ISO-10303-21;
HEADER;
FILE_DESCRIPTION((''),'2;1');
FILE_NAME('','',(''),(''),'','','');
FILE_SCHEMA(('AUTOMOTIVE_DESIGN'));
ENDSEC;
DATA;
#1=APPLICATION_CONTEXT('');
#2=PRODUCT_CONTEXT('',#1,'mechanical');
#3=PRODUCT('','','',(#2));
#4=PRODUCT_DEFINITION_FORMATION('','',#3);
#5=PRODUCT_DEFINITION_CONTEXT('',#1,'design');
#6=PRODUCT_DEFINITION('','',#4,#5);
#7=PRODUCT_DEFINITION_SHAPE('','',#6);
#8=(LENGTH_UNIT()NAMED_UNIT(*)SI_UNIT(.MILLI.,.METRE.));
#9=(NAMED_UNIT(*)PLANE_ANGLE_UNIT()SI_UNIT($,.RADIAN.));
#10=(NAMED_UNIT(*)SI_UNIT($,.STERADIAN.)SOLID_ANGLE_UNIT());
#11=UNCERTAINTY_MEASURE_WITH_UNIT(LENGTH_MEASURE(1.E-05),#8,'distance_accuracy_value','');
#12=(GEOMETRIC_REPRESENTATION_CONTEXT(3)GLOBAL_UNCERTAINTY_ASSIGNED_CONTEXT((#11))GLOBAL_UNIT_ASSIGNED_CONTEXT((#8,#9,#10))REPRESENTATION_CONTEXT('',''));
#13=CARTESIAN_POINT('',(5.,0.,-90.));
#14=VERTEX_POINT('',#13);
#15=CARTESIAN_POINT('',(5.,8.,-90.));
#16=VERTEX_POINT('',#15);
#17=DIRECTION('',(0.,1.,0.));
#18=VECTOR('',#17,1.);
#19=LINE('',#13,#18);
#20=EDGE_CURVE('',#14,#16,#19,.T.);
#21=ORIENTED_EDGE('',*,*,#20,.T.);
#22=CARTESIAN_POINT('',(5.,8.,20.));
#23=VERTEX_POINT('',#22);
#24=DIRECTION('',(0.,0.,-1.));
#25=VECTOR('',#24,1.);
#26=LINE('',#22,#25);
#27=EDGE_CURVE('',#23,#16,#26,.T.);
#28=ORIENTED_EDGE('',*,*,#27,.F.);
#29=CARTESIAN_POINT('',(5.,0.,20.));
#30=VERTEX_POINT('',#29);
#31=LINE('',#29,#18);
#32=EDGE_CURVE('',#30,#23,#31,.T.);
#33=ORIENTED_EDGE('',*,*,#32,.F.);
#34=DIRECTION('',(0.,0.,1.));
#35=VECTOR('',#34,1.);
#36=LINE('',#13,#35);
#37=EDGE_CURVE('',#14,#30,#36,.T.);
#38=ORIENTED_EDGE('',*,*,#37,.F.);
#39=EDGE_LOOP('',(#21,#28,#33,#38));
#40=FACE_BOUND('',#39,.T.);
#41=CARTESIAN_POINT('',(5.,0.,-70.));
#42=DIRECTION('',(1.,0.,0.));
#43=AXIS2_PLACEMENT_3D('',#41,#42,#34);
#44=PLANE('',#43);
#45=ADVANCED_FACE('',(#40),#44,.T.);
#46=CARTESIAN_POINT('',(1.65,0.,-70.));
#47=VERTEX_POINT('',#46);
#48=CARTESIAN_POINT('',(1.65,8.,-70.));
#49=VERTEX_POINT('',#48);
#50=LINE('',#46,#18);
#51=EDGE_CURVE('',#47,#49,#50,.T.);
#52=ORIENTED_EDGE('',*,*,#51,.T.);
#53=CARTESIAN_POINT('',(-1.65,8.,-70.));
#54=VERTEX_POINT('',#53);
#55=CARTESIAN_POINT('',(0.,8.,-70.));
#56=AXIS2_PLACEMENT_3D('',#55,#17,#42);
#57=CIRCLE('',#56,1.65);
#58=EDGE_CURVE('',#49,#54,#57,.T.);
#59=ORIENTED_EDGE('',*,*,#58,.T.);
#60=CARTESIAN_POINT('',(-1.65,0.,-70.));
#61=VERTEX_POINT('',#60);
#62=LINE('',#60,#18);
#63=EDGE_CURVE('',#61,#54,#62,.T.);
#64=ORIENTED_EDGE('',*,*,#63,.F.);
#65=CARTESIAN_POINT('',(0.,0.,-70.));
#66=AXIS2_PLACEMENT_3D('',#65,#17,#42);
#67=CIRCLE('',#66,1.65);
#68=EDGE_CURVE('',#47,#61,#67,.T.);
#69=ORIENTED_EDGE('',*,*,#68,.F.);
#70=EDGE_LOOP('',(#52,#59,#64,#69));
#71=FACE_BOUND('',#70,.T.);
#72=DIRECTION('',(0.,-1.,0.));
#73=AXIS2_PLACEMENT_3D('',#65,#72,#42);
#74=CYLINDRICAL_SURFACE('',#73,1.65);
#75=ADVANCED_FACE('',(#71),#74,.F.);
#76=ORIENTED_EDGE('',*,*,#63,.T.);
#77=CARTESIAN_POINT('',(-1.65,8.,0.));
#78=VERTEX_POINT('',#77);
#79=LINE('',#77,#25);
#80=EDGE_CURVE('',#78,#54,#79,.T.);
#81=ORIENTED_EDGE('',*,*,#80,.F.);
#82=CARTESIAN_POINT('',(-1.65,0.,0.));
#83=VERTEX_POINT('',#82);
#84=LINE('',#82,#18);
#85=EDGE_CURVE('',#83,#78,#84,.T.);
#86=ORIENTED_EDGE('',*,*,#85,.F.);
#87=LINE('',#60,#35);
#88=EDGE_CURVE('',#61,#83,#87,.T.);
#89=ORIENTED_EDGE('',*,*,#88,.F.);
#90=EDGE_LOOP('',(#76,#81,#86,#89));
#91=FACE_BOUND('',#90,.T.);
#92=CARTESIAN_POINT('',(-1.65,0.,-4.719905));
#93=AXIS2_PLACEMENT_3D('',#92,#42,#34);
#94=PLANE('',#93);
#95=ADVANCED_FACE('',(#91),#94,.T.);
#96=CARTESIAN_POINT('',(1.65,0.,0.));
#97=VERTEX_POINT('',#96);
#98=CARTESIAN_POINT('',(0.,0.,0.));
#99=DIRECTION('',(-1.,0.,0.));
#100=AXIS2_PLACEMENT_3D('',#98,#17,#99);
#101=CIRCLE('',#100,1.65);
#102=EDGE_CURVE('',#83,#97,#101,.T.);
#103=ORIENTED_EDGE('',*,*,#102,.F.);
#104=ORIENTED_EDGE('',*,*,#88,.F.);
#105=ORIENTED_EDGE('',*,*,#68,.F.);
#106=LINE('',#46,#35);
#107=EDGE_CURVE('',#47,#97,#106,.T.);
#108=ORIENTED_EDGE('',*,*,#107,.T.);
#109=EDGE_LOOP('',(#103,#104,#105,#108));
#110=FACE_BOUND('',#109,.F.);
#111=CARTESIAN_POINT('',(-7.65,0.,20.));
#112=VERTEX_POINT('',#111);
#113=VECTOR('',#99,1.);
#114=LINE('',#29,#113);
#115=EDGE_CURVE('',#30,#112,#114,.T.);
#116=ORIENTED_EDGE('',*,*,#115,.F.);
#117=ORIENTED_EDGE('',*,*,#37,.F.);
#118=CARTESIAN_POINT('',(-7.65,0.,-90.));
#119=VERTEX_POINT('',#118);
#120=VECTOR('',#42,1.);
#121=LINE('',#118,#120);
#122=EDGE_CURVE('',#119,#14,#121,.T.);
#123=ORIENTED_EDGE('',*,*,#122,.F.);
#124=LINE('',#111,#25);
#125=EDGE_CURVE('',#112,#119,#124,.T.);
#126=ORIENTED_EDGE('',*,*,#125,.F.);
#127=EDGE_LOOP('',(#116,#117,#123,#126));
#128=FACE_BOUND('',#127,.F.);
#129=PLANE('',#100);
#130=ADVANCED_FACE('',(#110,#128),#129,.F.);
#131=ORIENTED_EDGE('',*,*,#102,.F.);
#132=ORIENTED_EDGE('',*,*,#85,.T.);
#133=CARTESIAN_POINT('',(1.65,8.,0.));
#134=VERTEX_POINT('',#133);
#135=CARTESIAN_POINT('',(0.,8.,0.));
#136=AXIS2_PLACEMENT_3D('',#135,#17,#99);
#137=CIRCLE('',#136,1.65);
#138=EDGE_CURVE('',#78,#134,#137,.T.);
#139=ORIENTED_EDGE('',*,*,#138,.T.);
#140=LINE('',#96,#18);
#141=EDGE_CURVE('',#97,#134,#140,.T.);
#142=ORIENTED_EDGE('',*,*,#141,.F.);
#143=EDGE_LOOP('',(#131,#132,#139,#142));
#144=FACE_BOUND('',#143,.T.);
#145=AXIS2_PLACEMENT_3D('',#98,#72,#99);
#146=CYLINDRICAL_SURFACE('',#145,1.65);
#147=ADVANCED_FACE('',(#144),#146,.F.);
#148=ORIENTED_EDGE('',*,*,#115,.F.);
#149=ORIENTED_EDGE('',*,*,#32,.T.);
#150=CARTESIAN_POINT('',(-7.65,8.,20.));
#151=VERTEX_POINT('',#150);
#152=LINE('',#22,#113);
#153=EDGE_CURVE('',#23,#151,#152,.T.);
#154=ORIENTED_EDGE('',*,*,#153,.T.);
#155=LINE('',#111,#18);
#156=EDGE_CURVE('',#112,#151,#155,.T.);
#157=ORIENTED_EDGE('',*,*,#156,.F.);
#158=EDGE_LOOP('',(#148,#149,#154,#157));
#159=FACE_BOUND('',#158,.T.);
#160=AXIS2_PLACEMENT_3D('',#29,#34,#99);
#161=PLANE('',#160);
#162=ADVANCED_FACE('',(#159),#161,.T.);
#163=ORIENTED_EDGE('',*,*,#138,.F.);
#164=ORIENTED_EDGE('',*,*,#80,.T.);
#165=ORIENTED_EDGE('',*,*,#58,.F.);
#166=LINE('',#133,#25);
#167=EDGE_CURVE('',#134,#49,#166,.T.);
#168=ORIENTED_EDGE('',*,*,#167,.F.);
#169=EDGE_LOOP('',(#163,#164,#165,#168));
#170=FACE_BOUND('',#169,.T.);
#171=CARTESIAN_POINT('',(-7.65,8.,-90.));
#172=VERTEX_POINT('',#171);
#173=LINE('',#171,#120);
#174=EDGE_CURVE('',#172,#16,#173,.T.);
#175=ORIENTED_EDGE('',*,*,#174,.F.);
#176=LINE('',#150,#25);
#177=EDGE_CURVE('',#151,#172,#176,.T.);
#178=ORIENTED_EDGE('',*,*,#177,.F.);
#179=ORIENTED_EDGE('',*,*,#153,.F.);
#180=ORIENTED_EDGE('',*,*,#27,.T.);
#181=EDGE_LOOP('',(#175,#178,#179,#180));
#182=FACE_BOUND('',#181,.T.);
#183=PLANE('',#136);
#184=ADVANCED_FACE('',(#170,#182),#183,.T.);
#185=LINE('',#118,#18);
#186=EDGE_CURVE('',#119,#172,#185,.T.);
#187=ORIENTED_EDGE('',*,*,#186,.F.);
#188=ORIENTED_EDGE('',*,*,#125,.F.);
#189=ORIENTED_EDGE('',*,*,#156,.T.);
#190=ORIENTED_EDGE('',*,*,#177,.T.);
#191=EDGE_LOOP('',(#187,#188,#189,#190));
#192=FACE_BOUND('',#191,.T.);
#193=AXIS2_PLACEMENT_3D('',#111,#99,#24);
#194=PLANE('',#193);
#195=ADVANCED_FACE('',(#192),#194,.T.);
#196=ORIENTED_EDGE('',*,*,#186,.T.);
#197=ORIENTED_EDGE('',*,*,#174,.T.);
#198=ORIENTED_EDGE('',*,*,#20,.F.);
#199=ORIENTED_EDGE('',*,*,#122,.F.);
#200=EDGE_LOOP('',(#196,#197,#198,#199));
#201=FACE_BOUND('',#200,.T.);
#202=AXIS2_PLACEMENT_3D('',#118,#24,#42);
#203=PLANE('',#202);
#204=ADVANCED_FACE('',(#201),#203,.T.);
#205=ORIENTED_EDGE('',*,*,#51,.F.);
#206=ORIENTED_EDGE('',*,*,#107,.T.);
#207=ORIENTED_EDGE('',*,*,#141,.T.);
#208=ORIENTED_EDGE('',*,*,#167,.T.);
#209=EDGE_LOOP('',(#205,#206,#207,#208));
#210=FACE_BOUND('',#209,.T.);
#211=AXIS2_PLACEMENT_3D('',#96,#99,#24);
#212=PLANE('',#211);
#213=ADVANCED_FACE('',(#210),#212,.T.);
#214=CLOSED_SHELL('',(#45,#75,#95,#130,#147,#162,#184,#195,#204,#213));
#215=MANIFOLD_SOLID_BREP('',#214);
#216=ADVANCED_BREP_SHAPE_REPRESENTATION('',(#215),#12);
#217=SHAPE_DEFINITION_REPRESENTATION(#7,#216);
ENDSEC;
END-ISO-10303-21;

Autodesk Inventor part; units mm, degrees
ref_plane "YZ Plane" through (0, 0, 0) normal (1, 0, 0) x (0, 1, 0)
ref_plane "XZ Plane" through (0, 0, 0) normal (0, 1, 0) x (-1, 0, 0)
ref_plane "XY Plane" through (0, 0, 0) normal (0, 0, 1) x (1, 0, 0)
sketch "Sketch1" plane through (0, 0, 0) normal (0, 1, 0) x (-1, 0, 0)
  line L0 (0, 0) -> (0, -70) construction
  line L1 (-1.65, 0) -> (-1.65, -70)
  line L2 (1.65, -70) -> (1.65, 0)
  arc A0 (1.65, 0) -> (-1.65, 0) centre (0, 0) ccw
  arc A1 (-1.65, -70) -> (1.65, -70) centre (0, -70) ccw
  line L3 (-5, 20) -> (7.65, 20)
  line L4 (7.65, 20) -> (7.65, -90)
  line L5 (7.65, -90) -> (-5, -90)
  line L6 (-5, -90) -> (-5, 20)
  circle A2 centre (0, -70) radius 5
  circle A3 centre (0, 0) radius 5
  point P0 (0, -35)
  dimension "d0" = 3.3
  dimension "d1" = 70
  dimension "d2" = 10
  dimension "d3" = 10
  dimension "d4" = 20
  dimension "d5" = 20
  dimension "d6" = 6
extrude "Extrusion1" add sketch "Sketch1" along normal blind 8 contours L1 A3 L2 A0 | L1 A2 L6 A3 | L1 A1 L2 A2 | L6 L3 L4 L5 A2 L2 A3 picked at (-2.0178, -2.9645) picked at (-2.0178, -67.0355)
properties part number "Rail"
